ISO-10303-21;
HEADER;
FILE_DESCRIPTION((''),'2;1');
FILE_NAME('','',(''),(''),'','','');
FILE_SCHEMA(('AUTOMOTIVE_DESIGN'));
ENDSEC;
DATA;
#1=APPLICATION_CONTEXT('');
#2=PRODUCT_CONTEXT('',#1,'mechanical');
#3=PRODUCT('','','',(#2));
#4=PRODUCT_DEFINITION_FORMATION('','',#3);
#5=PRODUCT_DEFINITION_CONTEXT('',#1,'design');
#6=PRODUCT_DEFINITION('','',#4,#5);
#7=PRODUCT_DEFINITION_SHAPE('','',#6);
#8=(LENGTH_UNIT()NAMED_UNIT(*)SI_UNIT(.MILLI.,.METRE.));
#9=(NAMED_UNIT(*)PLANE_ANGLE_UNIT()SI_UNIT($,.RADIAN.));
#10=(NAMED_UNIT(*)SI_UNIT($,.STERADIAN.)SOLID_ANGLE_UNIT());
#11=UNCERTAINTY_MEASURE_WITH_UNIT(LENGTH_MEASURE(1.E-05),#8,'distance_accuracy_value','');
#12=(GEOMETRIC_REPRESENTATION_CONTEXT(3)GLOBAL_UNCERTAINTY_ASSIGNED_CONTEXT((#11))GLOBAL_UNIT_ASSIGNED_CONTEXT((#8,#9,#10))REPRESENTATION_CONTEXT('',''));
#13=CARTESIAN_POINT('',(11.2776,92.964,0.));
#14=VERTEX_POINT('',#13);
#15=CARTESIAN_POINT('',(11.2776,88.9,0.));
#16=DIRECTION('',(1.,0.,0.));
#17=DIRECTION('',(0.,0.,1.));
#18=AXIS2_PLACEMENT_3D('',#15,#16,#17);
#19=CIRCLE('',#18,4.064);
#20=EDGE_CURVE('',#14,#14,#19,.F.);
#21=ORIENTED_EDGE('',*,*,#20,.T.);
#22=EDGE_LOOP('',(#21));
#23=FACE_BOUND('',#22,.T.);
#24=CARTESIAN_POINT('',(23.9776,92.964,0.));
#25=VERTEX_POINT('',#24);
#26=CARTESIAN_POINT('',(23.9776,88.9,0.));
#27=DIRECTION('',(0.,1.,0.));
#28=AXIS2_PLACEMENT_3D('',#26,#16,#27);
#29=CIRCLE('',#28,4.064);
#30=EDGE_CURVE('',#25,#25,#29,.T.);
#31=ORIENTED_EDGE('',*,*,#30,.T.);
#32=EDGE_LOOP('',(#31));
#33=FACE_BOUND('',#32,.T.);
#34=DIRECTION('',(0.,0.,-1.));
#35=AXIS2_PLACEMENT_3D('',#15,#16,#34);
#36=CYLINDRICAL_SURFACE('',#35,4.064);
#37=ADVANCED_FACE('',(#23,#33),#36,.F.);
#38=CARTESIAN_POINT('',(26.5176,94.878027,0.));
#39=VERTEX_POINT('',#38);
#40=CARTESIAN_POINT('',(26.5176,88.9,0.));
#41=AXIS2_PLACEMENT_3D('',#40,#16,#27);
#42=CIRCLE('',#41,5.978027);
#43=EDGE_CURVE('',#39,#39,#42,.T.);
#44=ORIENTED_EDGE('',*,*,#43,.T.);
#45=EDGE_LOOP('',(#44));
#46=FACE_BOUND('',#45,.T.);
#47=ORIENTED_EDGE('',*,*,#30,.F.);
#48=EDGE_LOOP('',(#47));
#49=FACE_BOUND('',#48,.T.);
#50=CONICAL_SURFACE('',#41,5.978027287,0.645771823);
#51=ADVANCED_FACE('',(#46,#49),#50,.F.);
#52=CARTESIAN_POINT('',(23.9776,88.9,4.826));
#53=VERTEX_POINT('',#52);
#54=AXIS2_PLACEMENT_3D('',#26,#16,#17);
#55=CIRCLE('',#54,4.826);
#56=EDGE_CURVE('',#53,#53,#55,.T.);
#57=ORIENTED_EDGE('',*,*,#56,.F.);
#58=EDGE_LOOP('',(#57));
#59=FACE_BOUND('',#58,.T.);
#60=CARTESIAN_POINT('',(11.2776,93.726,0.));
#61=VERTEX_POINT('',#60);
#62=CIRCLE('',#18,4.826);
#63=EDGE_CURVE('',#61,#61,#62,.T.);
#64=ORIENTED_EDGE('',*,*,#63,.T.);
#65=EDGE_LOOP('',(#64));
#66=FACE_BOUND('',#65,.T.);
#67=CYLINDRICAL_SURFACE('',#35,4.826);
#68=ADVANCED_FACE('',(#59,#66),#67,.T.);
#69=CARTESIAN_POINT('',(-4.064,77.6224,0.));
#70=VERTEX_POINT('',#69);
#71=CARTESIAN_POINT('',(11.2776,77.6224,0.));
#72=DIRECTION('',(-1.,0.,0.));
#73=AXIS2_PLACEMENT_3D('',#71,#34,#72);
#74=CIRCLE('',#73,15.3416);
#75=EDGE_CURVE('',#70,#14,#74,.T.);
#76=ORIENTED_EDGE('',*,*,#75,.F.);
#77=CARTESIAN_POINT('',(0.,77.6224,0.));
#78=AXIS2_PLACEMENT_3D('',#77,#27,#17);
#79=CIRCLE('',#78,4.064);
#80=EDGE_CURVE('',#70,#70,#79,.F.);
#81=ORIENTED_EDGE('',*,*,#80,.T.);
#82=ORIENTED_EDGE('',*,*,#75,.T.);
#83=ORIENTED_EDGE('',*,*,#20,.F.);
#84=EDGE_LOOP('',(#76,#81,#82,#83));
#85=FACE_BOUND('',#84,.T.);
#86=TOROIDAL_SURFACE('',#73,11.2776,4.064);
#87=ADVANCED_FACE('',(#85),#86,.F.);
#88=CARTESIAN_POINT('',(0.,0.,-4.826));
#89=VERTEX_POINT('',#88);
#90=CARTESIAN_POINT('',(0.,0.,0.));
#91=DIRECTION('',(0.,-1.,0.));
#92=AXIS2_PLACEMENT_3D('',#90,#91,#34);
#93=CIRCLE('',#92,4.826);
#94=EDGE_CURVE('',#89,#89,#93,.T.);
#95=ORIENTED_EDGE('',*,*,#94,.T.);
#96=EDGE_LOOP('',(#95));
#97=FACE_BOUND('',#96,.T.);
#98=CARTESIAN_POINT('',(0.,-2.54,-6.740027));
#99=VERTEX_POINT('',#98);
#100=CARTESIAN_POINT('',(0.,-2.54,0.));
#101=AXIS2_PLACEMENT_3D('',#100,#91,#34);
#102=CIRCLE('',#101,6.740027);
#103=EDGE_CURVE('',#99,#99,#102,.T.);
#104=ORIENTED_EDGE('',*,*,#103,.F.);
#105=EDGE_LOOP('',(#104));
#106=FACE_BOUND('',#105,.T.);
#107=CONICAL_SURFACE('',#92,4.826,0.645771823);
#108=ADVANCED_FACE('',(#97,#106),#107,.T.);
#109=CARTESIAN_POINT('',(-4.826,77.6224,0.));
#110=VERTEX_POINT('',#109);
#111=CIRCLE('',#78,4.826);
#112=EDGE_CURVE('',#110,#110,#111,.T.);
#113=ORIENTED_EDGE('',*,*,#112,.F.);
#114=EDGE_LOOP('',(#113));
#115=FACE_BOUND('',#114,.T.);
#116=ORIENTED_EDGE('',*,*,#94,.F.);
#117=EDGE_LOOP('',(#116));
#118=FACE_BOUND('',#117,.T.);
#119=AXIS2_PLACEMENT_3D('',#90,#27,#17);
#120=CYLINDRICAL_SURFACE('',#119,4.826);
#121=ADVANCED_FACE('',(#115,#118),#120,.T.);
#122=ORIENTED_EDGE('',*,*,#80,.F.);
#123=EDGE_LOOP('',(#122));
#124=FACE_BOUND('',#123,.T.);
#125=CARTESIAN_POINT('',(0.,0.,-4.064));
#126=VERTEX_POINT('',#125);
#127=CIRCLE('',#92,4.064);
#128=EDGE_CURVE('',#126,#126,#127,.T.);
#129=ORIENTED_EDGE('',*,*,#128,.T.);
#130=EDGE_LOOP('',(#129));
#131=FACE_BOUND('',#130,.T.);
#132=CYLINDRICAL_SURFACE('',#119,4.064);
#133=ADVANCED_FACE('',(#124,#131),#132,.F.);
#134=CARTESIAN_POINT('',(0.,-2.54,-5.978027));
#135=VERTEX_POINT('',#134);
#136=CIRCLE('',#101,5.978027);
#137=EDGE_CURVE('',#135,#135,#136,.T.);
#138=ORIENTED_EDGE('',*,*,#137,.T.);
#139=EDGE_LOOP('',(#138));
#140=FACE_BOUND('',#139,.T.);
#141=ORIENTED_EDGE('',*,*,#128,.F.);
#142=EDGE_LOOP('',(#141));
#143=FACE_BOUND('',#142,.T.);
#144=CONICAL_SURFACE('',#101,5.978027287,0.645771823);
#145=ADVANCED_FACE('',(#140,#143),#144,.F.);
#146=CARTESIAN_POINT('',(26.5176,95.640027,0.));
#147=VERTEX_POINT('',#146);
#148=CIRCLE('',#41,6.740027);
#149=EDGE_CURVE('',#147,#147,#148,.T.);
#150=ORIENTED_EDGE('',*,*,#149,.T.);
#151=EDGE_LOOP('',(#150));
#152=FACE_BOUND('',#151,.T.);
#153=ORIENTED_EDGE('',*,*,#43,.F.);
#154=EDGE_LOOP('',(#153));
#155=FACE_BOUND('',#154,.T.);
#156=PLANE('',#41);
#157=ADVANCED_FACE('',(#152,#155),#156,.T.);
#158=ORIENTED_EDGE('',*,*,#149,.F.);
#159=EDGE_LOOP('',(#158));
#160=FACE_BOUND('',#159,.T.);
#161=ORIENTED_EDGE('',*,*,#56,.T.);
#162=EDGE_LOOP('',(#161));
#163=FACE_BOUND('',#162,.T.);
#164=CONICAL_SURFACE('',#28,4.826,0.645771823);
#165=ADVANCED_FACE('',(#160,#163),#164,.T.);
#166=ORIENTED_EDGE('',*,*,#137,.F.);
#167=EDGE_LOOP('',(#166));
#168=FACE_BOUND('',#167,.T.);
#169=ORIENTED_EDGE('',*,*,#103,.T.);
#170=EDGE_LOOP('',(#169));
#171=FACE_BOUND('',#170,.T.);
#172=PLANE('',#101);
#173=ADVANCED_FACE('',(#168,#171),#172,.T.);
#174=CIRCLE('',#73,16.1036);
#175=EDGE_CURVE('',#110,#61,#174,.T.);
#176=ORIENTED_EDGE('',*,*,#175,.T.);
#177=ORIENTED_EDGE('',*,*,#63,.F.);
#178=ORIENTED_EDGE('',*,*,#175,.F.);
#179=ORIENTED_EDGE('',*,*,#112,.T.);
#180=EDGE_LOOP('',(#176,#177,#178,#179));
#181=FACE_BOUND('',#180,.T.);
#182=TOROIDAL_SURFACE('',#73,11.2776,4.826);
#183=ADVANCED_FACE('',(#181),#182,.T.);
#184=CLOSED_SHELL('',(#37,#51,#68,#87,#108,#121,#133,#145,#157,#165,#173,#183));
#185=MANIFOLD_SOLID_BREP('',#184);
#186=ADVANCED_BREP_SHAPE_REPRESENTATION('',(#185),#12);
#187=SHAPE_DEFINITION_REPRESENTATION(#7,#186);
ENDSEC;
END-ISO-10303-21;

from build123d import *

# Parameters (mm, degrees)
SKETCH1_R           = 4.826
SKETCH1_R_2         = 4.064
SKETCH3_R           = 4.826
BOSS_EXTRUDE1_DEPTH = 2.54
BOSS_EXTRUDE1_DRAFT = -37
SKETCH5_R           = 4.826
BOSS_EXTRUDE2_DEPTH = 2.54
BOSS_EXTRUDE2_DRAFT = -37


with BuildPart() as part:
    # Sweep1: sweep along a path in Sketch2
    with BuildLine(Plane.XY) as sweep1_path:
        Line((0, 0), (0, 77.6224))
        ThreePointArc((0, 77.6224), (3.303132564, 85.596867436), (11.2776, 88.9))
        Line((11.2776, 88.9), (23.9776, 88.9))
    # Sketch1 → Sweep1 (sweep)
    with BuildSketch(Plane(origin=(0, 0, 0), x_dir=(1, 0, 0), z_dir=(0, 1, 0))):
        Circle(SKETCH1_R)
        Circle(SKETCH1_R_2, mode=Mode.SUBTRACT)
    sweep(path=sweep1_path.line)


with BuildPart() as boss_extrude1_tool:
    # Sketch3 → Boss-Extrude1 (with draft: the straight prism first)
    with BuildSketch(Plane.XZ):
        with Locations(Location((0, 0, 0), (0, 0, 180))):
            Circle(SKETCH3_R)
    extrude(amount=BOSS_EXTRUDE1_DEPTH)
    # Boss-Extrude1: the draft: its side faces are tilted about the plane it starts from
    boss_extrude1_sides = [boss_extrude1_tool.faces().sort_by_distance(p)[0] for p in [
        (4.826, -1.27, 0),
    ]]
    draft(boss_extrude1_sides, Plane.XZ, BOSS_EXTRUDE1_DRAFT)


with BuildPart() as part_1:
    add(part.part)

    # Boss-Extrude1: add boss_extrude1_tool
    add(boss_extrude1_tool.part)

    # Cut-Extrude1 cone 1 section (through the dimple's axis) → Cut-Extrude1 (revolve, cut)
    with BuildSketch(Plane(origin=(0, -2.54, 0), x_dir=(0, 0, -1), z_dir=(1, 0, 0))):
        Polygon((0, 0), (5.978027287, 0), (0, 7.933110155), align=None)
    revolve(axis=Axis((0, -2.54, 0), (0, 1, 0)), mode=Mode.SUBTRACT)


with BuildPart() as boss_extrude2_tool:
    # Sketch5 → Boss-Extrude2 (with draft: the straight prism first)
    with BuildSketch(Plane(origin=(23.9776, 0, 0), x_dir=(0, 0, -1), z_dir=(1, 0, 0))):
        with Locations(Location((0, 88.9, 0), (0, 0, 90))):
            Circle(SKETCH5_R)
    extrude(amount=BOSS_EXTRUDE2_DEPTH)
    # Boss-Extrude2: the draft: its side faces are tilted about the plane it starts from
    boss_extrude2_sides = [boss_extrude2_tool.faces().sort_by_distance(p)[0] for p in [
        (25.2476, 84.074, 0),
    ]]
    draft(boss_extrude2_sides, Plane(origin=(23.9776, 0, 0), x_dir=(0, 0, -1), z_dir=(1, 0, 0)), BOSS_EXTRUDE2_DRAFT)


with BuildPart() as part_2:
    add(part_1.part)

    # Boss-Extrude2: add boss_extrude2_tool
    add(boss_extrude2_tool.part)

    # Cut-Extrude2 cone 1 section (through the dimple's axis) → Cut-Extrude2 (revolve, cut)
    with BuildSketch(Plane(origin=(26.5176, 88.9, 0), x_dir=(0, 0, -1), z_dir=(0, 1, 0))):
        Polygon((0, 0), (5.978027287, 0), (0, 7.933110155), align=None)
    revolve(axis=Axis((26.5176, 88.9, 0), (-1, 0, 0)), mode=Mode.SUBTRACT)


solid = part_2.part
